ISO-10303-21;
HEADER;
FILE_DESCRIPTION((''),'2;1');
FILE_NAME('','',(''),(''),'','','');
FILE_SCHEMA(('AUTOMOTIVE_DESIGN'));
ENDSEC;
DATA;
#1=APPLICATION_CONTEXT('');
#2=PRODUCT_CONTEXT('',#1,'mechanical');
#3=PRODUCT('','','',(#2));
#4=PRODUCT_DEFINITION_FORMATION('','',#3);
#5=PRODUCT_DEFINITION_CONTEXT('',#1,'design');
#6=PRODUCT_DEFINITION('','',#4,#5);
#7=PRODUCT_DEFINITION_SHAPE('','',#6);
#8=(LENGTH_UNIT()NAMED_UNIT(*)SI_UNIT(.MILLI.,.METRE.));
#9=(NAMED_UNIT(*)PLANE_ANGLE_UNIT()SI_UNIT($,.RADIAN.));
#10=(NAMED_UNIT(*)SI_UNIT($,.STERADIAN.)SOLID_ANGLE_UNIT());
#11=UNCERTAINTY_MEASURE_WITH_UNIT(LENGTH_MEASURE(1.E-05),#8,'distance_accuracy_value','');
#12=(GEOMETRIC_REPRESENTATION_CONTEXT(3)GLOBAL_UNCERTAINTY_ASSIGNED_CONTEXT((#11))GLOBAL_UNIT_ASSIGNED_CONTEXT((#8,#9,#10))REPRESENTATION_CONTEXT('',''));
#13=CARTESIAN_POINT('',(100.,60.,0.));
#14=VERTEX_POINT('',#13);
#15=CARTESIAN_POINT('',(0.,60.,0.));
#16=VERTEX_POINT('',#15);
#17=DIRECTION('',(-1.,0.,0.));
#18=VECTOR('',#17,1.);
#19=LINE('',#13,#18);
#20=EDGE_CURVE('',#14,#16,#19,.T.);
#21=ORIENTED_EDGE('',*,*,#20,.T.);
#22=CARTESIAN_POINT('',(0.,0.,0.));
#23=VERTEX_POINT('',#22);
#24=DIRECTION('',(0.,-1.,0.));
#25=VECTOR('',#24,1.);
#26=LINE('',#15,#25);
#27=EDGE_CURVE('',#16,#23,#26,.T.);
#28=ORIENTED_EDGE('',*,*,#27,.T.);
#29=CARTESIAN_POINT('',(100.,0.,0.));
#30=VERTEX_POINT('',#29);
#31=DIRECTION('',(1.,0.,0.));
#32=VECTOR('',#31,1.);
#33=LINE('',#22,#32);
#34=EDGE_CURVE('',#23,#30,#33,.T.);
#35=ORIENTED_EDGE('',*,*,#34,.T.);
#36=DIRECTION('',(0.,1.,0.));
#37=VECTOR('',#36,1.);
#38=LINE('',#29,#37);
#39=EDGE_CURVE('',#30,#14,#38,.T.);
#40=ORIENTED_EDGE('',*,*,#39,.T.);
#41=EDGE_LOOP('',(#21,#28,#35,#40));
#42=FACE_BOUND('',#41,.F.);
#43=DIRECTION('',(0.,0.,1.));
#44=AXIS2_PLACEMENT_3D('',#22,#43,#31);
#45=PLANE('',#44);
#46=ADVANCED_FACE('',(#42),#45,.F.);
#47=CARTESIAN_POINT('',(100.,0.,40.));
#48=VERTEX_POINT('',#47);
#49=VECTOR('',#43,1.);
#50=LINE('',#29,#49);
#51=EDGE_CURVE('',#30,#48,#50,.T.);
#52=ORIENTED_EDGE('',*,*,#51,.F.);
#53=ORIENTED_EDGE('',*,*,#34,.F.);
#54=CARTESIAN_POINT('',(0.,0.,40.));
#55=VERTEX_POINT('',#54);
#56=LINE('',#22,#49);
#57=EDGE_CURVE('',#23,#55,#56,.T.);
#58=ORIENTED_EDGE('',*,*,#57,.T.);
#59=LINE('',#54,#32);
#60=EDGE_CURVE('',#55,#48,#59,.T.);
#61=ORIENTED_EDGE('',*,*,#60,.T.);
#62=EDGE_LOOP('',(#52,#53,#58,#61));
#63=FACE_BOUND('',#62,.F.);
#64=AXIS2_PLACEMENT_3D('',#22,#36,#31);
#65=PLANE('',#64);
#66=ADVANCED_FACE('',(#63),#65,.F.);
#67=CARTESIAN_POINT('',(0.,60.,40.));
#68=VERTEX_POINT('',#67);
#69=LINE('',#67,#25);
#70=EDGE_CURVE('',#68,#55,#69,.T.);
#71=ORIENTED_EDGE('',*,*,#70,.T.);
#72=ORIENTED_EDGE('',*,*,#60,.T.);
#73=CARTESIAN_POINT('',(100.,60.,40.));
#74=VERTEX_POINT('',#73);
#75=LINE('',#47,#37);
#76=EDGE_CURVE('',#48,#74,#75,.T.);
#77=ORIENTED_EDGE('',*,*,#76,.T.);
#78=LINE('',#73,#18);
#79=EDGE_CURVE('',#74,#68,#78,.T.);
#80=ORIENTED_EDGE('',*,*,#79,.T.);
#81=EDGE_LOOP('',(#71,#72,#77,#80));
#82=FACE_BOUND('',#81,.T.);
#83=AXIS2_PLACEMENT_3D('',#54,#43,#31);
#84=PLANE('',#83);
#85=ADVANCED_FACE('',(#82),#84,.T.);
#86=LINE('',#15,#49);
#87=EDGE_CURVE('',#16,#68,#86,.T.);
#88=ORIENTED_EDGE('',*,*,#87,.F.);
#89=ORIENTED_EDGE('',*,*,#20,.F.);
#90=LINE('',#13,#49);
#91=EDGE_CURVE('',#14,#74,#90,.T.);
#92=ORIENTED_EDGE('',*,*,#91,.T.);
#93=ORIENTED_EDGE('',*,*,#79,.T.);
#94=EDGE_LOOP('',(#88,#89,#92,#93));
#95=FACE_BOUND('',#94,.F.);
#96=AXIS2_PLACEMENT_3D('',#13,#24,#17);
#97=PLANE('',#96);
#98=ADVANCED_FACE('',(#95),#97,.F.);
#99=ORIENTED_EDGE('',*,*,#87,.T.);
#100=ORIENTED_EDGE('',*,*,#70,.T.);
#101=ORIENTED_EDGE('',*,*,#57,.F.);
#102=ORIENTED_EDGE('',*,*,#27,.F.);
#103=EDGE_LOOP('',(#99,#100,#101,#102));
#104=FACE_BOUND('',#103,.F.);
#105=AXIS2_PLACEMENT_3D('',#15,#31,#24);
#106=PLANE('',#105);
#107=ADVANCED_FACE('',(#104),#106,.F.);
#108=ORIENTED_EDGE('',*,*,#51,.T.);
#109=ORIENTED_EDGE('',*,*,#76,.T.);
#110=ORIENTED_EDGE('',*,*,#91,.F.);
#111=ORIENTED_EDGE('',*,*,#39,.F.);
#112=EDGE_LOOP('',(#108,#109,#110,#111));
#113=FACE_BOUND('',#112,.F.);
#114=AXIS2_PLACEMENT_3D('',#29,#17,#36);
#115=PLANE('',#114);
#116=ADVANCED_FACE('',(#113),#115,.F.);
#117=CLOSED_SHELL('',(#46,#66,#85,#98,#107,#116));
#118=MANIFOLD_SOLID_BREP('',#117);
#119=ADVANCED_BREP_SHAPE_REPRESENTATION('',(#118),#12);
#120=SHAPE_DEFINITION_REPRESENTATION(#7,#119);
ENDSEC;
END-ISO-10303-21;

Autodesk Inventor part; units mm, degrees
ref_plane "YZ Plane" through (0, 0, 0) normal (1, 0, 0) x (0, 1, 0)
ref_plane "XZ Plane" through (0, 0, 0) normal (0, 1, 0) x (-1, 0, 0)
ref_plane "XY Plane" through (0, 0, 0) normal (0, 0, 1) x (1, 0, 0)
sketch "Эскиз1" plane through (0, 0, 0) normal (0, 0, 1) x (1, 0, 0)
  line L0 (0, 0) -> (100, 0)
  line L1 (100, 0) -> (100, 60)
  line L2 (100, 60) -> (0, 60)
  line L3 (0, 60) -> (0, 0)
  dimension "d0" = 100
  dimension "d1" = 60
extrude "Выдавливание1" add sketch "Эскиз1" along normal blind 40
sketch "Эскиз2" plane through (0, 60, 0) normal (0, 1, 0) x (1, 0, 0)
  line L0 (100, 0) -> (0, 0) projected
  line L1 (50, 0) -> (50, -20)
  line L2 (50, -20) -> (80, -20)
  line L3 (50, -20) -> (20, -20)
  line L4 (50, 0) -> (70, 0)
  line L5 (70, 0) -> (80, -20)
  line L6 (50, 0) -> (35, 0)
  line L7 (50, 0) -> (30, 0)
  line L8 (30, 0) -> (20, -20)
  dimension "d4" = 20
  dimension "d5" = 30
  dimension "d6" = 30
  dimension "d7" = 20
  dimension "d8" = 20
properties part number "Деталь класс"
